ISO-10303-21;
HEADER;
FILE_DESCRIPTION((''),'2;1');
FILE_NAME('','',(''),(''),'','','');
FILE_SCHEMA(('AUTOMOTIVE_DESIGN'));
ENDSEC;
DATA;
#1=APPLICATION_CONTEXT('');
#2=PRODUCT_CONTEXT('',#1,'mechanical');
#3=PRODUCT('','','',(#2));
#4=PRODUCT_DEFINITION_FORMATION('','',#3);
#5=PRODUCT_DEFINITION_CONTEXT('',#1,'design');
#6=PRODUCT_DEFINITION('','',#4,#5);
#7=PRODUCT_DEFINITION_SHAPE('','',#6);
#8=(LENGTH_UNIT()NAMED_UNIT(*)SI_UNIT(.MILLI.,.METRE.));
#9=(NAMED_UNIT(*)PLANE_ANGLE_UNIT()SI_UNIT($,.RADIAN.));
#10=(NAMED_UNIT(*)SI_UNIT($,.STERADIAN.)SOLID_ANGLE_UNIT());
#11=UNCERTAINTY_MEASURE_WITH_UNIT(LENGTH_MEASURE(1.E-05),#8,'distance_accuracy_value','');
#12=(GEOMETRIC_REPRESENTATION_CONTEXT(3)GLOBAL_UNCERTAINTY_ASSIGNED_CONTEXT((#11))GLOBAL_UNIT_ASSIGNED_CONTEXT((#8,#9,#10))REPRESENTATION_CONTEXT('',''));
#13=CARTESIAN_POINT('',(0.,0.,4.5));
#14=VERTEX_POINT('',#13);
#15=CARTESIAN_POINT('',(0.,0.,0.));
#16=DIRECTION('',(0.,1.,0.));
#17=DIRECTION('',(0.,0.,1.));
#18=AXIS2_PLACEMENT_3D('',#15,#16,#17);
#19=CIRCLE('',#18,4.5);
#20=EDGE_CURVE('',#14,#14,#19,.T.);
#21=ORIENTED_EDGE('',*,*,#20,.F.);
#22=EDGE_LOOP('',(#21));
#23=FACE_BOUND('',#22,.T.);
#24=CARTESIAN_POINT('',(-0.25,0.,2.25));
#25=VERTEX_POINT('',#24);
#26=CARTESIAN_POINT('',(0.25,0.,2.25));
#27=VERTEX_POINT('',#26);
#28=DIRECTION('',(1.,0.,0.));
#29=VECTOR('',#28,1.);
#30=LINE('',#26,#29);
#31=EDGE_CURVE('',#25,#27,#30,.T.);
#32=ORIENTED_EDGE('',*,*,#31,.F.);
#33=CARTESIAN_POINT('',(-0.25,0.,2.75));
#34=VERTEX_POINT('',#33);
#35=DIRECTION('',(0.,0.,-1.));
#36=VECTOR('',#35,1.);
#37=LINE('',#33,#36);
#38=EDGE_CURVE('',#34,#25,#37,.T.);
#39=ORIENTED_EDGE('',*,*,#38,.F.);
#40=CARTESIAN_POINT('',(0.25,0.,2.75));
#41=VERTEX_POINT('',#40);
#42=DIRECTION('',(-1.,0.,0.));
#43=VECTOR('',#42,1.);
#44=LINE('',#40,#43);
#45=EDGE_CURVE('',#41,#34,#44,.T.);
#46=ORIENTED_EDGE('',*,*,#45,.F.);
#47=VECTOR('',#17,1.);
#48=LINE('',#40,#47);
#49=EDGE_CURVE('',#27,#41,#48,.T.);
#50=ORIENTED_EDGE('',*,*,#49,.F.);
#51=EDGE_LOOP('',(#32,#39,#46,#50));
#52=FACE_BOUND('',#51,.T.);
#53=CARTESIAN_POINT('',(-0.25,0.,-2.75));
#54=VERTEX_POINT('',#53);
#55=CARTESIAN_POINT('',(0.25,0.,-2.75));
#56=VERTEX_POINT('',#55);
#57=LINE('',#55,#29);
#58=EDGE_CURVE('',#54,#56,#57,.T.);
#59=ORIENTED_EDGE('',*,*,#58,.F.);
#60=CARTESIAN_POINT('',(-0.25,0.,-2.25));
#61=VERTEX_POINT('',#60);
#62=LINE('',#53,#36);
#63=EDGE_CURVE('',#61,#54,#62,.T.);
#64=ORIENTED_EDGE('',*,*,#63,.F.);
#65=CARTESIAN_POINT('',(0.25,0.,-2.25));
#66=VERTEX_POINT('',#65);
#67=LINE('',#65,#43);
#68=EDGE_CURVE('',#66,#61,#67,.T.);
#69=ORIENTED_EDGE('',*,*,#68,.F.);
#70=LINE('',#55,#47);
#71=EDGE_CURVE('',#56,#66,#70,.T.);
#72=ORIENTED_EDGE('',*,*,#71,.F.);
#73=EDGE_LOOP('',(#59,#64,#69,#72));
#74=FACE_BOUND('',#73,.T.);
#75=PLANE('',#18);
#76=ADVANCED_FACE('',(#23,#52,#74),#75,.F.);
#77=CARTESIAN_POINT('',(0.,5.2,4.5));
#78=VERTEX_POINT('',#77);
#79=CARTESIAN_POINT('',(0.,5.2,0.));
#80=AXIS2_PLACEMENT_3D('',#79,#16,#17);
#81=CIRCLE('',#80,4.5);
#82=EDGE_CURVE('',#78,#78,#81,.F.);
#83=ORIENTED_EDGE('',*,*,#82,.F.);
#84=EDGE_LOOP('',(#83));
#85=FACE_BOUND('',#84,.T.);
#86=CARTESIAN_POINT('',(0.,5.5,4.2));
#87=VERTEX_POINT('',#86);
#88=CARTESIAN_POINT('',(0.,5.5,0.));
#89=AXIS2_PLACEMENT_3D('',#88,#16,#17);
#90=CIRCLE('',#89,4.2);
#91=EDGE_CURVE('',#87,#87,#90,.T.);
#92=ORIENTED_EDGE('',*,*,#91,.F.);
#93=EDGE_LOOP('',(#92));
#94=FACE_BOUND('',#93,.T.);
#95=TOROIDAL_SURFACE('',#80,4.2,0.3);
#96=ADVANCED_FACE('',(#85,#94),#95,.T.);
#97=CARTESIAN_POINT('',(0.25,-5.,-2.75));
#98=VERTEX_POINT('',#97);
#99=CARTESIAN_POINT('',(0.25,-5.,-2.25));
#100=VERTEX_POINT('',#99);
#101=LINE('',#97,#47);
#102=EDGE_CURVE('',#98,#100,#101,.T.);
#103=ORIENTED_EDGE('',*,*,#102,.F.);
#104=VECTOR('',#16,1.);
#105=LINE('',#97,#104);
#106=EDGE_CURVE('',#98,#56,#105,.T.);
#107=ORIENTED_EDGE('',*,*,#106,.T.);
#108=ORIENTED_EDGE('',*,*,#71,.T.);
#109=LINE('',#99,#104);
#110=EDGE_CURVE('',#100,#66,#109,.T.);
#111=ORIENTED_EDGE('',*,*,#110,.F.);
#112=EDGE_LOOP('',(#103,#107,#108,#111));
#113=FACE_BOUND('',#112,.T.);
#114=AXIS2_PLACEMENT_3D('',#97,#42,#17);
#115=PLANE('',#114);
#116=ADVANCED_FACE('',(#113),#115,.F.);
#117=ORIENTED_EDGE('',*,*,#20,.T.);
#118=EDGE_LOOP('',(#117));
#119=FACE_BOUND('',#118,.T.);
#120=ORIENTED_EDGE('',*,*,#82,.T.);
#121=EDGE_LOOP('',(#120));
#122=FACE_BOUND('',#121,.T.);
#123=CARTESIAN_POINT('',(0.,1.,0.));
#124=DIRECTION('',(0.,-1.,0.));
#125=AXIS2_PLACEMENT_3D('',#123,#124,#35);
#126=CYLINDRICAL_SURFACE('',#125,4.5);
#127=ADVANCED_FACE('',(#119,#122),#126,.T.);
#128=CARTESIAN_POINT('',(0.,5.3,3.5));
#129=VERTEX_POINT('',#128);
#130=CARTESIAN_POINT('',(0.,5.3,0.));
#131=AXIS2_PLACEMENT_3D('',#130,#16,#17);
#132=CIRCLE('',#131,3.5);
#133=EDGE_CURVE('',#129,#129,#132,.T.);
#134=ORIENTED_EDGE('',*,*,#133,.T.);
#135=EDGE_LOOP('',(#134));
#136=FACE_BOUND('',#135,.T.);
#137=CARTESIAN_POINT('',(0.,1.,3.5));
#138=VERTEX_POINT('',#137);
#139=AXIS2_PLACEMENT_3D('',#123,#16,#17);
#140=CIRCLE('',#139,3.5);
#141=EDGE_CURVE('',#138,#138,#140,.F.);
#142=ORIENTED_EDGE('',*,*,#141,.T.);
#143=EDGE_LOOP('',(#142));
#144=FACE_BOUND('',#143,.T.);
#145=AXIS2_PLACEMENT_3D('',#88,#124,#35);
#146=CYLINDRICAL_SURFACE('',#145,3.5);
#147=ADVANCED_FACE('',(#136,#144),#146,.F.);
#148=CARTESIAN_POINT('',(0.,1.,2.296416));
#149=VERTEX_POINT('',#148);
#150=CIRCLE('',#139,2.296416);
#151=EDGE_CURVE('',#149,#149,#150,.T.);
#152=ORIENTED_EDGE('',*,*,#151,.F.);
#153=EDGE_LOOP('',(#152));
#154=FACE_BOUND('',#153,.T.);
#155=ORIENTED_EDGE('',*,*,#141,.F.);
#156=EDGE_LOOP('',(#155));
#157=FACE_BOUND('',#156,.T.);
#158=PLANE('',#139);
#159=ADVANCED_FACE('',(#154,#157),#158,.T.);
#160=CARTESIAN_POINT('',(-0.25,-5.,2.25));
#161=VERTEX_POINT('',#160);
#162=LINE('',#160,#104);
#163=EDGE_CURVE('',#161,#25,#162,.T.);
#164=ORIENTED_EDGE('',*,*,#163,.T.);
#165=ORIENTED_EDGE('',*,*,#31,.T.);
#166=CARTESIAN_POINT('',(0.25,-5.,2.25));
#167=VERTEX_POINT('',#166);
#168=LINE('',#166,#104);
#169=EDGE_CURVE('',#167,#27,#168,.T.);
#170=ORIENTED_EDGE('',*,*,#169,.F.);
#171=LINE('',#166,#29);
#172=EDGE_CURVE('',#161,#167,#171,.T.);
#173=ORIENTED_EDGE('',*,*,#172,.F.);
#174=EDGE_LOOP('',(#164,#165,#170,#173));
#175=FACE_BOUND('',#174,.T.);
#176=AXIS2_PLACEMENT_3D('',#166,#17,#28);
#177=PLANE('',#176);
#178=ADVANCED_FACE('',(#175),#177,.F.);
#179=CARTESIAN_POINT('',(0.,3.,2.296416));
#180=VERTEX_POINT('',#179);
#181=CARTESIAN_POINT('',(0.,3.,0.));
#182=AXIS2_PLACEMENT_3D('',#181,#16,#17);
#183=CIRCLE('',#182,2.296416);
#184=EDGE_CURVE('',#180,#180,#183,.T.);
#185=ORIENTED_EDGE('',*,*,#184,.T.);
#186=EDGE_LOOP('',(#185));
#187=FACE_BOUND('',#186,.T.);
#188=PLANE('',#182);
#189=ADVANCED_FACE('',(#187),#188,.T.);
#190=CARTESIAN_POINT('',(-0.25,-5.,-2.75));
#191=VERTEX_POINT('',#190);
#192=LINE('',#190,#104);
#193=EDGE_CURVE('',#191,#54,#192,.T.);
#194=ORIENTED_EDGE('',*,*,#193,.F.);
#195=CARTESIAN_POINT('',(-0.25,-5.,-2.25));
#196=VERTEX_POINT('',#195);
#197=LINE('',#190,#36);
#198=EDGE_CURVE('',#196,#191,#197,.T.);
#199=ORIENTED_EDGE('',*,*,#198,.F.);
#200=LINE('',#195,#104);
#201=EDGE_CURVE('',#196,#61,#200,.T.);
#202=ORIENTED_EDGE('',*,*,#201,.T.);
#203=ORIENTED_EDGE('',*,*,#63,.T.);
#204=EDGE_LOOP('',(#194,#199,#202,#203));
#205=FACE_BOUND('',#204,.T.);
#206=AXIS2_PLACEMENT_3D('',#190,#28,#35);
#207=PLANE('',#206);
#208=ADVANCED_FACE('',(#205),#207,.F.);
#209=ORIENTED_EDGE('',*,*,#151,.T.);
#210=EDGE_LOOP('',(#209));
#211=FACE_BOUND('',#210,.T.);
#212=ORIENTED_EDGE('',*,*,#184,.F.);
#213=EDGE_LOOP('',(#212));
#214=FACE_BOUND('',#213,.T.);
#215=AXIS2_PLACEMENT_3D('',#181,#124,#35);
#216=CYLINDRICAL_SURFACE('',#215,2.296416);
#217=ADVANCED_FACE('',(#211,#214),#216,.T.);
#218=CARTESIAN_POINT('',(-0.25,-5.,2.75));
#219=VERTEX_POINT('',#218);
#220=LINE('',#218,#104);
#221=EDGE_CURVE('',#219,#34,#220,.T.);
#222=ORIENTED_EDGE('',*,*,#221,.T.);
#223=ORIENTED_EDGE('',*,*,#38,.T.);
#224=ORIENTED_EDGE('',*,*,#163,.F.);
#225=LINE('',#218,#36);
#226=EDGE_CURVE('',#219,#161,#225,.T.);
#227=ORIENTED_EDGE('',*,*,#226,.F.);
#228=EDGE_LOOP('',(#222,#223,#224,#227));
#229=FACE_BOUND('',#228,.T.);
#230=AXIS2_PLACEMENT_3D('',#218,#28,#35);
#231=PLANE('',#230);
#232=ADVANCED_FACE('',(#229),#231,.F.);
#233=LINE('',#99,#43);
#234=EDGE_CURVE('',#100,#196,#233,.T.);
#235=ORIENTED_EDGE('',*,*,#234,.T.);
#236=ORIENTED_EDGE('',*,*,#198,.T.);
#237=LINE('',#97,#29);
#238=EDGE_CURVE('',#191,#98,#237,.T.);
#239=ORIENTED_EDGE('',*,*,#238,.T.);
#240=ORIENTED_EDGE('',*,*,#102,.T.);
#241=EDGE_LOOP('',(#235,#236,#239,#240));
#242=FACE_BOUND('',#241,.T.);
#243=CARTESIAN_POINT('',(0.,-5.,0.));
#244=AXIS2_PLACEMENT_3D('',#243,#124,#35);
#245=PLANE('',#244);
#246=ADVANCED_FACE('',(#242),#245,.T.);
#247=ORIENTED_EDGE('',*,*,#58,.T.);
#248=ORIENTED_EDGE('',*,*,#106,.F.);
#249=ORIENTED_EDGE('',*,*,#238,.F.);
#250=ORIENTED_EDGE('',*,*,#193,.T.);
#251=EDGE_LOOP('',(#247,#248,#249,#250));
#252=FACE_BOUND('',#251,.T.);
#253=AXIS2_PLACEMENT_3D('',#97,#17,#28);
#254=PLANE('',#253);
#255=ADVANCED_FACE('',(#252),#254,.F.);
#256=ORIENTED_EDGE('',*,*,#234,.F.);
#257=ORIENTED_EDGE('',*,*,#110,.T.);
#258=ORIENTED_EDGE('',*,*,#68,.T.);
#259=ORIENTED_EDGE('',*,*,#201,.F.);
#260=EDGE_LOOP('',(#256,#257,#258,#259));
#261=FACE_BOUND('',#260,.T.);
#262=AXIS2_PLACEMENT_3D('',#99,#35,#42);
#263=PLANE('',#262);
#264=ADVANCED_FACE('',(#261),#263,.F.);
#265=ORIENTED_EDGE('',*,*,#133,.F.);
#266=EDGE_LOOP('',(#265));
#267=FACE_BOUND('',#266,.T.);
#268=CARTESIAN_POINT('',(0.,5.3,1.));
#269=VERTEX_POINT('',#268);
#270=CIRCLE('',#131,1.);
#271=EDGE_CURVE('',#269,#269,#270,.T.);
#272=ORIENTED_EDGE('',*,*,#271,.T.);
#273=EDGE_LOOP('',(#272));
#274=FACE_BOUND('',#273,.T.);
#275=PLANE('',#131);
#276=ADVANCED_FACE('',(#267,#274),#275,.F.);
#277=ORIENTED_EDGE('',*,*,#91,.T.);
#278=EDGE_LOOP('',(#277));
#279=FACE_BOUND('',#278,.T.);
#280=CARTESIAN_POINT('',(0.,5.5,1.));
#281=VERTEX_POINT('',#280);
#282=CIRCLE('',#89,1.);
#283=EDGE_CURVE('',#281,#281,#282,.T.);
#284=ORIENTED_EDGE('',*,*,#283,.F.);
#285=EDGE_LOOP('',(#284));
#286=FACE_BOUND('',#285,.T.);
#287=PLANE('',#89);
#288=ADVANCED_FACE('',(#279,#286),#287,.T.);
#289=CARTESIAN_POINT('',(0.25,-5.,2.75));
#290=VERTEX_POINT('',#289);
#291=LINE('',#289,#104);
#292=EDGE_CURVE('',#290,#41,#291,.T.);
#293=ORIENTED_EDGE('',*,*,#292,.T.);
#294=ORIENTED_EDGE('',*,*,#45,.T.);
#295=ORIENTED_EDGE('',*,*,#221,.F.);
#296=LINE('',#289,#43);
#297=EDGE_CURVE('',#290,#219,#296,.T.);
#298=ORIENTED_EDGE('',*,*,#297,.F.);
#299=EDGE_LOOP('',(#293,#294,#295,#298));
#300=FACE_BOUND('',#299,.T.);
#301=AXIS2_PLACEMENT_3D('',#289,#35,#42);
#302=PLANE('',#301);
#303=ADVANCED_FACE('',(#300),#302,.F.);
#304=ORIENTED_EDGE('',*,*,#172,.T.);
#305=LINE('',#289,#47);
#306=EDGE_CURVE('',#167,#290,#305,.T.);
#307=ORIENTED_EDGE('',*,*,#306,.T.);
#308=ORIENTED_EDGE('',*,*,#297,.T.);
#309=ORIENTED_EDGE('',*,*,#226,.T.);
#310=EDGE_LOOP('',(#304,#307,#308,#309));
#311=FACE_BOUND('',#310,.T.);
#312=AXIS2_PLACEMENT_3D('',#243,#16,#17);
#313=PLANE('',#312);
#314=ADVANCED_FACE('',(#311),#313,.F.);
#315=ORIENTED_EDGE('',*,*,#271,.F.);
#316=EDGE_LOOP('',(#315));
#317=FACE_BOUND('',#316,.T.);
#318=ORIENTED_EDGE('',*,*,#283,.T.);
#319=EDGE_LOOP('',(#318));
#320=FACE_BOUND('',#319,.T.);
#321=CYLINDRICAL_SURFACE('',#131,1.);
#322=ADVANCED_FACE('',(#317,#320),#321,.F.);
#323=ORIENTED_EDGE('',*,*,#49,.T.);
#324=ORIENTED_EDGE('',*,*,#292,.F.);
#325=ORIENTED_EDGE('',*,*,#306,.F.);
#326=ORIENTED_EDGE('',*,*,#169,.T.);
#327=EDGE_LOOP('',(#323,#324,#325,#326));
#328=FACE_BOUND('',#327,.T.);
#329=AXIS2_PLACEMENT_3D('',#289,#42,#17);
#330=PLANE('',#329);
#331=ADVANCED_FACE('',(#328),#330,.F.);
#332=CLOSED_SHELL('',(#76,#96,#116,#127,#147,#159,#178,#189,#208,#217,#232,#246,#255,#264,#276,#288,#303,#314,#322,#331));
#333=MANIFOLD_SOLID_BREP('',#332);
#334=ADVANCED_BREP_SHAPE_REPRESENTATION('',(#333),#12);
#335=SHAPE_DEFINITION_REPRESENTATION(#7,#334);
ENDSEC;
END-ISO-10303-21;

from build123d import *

# Parameters (mm, degrees)
CROQUIS1_R              = 4.5
SALIENTE_EXTRUIR1_DEPTH = 1
CROQUIS2_R              = 4.5
CROQUIS2_R_2            = 3.5
SALIENTE_EXTRUIR2_DEPTH = 4.5
CROQUIS3_R              = 2.296416316
SALIENTE_EXTRUIR3_DEPTH = 2
SALIENTE_EXTRUIR4_START = -0.2
CROQUIS4_R              = 4.5
CROQUIS4_R_2            = 1
SALIENTE_EXTRUIR4_DEPTH = 0.2
CROQUIS5_W              = 0.5
CROQUIS5_H              = 0.5
SALIENTE_EXTRUIR5_DEPTH = 5
REDONDEO1_R             = 0.3


with BuildPart() as part:
    # Croquis1 → Saliente-Extruir1 (new body)
    with BuildSketch(Plane(origin=(0, 0, 0), x_dir=(1, 0, 0), z_dir=(0, 1, 0))):
        with Locations(Location((0, 0, 0), (0, 0, 270))):
            Circle(CROQUIS1_R)
    extrude(amount=SALIENTE_EXTRUIR1_DEPTH)

    # Croquis2 → Saliente-Extruir2 (add)
    with BuildSketch(Plane(origin=(0, 1, 0), x_dir=(1, 0, 0), z_dir=(0, 1, 0))):
        with Locations(Location((0, 0, 0), (0, 0, 270))):
            Circle(CROQUIS2_R)
        with Locations(Location((0, 0, 0), (0, 0, 270))):
            Circle(CROQUIS2_R_2, mode=Mode.SUBTRACT)
    extrude(amount=SALIENTE_EXTRUIR2_DEPTH)

    # Croquis3 → Saliente-Extruir3 (add)
    with BuildSketch(Plane(origin=(0, 1, 0), x_dir=(1, 0, 0), z_dir=(0, 1, 0))):
        with Locations(Location((0, 0, 0), (0, 0, 270))):
            Circle(CROQUIS3_R)
    extrude(amount=SALIENTE_EXTRUIR3_DEPTH)

    # Croquis4 → Saliente-Extruir4 (add)
    with BuildSketch(Plane(origin=(0, 5.5, 0), x_dir=(1, 0, 0), z_dir=(0, 1, 0)).offset(SALIENTE_EXTRUIR4_START)):
        with Locations(Location((0, 0, 0), (0, 0, 270))):
            Circle(CROQUIS4_R)
        with Locations(Location((0, 0, 0), (0, 0, 270))):
            Circle(CROQUIS4_R_2, mode=Mode.SUBTRACT)
    extrude(amount=SALIENTE_EXTRUIR4_DEPTH)

    # Croquis5 → Saliente-Extruir5 (add)
    with BuildSketch(Plane.XZ):
        with Locations((0, -2.5)):
            Rectangle(CROQUIS5_W, CROQUIS5_H)
        with Locations((0, 2.5)):
            Rectangle(CROQUIS5_W, CROQUIS5_H)
    extrude(amount=SALIENTE_EXTRUIR5_DEPTH)

    # Redondeo1
    redondeo1_edges = [part.edges().sort_by_distance(p)[0] for p in [
        (0, 5.5, -4.5),
    ]]
    fillet(redondeo1_edges, radius=REDONDEO1_R)


solid = part.part
